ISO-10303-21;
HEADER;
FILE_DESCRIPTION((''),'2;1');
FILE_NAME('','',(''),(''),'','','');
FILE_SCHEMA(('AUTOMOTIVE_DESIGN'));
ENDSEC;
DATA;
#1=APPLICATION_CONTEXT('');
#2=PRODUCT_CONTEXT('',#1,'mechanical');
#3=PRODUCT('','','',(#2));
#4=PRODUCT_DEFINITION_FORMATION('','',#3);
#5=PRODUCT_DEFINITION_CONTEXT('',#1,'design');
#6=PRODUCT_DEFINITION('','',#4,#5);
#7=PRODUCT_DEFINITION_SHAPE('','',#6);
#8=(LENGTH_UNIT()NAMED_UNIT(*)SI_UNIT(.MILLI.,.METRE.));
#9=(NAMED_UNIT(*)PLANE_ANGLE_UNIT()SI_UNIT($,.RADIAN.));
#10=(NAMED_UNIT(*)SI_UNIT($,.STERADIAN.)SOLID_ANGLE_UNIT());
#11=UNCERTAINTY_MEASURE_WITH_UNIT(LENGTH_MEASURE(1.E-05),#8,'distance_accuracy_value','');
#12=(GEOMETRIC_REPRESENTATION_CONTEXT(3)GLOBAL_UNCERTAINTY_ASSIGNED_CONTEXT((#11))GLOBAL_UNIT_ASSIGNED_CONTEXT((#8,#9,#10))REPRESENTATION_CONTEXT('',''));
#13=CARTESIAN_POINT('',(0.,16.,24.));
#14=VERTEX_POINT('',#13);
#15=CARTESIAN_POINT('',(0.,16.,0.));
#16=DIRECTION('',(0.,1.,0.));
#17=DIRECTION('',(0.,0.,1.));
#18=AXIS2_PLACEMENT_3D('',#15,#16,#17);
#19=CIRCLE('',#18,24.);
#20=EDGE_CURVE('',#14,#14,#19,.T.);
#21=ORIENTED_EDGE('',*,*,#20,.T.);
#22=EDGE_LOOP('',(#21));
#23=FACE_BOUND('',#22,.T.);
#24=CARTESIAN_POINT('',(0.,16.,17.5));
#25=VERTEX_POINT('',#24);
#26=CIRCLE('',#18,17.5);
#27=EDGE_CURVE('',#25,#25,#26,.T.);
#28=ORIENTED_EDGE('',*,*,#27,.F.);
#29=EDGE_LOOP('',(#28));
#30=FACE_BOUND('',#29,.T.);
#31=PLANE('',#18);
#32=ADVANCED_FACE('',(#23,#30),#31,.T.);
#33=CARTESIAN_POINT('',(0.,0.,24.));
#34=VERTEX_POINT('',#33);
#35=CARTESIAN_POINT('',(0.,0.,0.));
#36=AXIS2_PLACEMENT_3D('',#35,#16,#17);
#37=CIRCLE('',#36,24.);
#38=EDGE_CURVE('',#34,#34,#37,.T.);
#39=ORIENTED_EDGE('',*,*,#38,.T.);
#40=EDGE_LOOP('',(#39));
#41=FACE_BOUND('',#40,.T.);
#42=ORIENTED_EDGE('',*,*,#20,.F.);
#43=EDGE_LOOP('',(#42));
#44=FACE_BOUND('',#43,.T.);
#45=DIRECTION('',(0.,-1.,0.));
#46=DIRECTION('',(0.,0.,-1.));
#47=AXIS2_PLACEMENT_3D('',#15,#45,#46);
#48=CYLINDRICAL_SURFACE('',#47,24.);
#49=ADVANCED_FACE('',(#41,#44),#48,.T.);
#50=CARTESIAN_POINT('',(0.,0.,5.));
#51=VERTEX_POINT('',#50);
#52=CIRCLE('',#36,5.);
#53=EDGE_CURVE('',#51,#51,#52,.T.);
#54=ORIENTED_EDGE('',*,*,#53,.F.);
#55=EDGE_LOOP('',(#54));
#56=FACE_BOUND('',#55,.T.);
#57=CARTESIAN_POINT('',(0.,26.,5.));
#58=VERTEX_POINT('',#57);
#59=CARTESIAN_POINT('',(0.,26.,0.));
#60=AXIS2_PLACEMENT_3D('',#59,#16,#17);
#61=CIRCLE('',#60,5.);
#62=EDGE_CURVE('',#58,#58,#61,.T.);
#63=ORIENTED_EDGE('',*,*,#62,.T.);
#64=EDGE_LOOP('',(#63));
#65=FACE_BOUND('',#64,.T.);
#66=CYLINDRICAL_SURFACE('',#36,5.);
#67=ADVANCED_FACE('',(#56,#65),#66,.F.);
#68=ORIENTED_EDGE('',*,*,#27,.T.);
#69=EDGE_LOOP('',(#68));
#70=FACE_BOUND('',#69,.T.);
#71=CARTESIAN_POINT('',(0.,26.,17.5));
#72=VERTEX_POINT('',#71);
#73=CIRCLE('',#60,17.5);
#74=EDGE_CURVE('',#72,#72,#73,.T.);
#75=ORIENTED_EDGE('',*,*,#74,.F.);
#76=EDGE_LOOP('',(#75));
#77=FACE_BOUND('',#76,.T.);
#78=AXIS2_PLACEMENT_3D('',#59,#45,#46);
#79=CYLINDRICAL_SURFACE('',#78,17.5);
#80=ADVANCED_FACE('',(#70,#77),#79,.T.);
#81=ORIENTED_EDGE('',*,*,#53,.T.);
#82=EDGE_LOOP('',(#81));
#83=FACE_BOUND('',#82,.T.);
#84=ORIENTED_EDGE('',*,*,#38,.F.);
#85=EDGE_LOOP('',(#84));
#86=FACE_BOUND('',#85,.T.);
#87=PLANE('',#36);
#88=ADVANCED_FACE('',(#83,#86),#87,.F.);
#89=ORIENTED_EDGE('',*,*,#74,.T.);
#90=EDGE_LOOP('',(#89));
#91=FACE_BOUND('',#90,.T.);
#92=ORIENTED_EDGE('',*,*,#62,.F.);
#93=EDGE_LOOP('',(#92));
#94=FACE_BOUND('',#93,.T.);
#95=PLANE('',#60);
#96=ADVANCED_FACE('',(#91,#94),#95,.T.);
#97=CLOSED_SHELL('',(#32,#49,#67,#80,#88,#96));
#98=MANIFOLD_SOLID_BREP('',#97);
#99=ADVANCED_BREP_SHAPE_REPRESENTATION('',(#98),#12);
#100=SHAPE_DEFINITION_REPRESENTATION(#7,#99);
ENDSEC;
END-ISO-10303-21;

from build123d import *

# Parameters (mm, degrees)
SKETCH1_R           = 24
BOSS_EXTRUDE1_DEPTH = 16
SKETCH2_R           = 17.5
BOSS_EXTRUDE2_DEPTH = 10
SKETCH3_R           = 5
CUT_EXTRUDE1_DEPTH  = 26


with BuildPart() as part:
    # Sketch1 → Boss-Extrude1 (new body)
    with BuildSketch(Plane(origin=(0, 0, 0), x_dir=(1, 0, 0), z_dir=(0, 1, 0))):
        Circle(SKETCH1_R)
    extrude(amount=BOSS_EXTRUDE1_DEPTH)

    # Sketch2 → Boss-Extrude2 (add)
    with BuildSketch(Plane(origin=(0, 16, 0), x_dir=(1, 0, 0), z_dir=(0, 1, 0))):
        Circle(SKETCH2_R)
    extrude(amount=BOSS_EXTRUDE2_DEPTH)

    # Sketch3 → Cut-Extrude1 (cut)
    with BuildSketch(Plane(origin=(0, 26, 0), x_dir=(1, 0, 0), z_dir=(0, 1, 0))):
        Circle(SKETCH3_R)
    extrude(amount=-CUT_EXTRUDE1_DEPTH, mode=Mode.SUBTRACT)


solid = part.part
